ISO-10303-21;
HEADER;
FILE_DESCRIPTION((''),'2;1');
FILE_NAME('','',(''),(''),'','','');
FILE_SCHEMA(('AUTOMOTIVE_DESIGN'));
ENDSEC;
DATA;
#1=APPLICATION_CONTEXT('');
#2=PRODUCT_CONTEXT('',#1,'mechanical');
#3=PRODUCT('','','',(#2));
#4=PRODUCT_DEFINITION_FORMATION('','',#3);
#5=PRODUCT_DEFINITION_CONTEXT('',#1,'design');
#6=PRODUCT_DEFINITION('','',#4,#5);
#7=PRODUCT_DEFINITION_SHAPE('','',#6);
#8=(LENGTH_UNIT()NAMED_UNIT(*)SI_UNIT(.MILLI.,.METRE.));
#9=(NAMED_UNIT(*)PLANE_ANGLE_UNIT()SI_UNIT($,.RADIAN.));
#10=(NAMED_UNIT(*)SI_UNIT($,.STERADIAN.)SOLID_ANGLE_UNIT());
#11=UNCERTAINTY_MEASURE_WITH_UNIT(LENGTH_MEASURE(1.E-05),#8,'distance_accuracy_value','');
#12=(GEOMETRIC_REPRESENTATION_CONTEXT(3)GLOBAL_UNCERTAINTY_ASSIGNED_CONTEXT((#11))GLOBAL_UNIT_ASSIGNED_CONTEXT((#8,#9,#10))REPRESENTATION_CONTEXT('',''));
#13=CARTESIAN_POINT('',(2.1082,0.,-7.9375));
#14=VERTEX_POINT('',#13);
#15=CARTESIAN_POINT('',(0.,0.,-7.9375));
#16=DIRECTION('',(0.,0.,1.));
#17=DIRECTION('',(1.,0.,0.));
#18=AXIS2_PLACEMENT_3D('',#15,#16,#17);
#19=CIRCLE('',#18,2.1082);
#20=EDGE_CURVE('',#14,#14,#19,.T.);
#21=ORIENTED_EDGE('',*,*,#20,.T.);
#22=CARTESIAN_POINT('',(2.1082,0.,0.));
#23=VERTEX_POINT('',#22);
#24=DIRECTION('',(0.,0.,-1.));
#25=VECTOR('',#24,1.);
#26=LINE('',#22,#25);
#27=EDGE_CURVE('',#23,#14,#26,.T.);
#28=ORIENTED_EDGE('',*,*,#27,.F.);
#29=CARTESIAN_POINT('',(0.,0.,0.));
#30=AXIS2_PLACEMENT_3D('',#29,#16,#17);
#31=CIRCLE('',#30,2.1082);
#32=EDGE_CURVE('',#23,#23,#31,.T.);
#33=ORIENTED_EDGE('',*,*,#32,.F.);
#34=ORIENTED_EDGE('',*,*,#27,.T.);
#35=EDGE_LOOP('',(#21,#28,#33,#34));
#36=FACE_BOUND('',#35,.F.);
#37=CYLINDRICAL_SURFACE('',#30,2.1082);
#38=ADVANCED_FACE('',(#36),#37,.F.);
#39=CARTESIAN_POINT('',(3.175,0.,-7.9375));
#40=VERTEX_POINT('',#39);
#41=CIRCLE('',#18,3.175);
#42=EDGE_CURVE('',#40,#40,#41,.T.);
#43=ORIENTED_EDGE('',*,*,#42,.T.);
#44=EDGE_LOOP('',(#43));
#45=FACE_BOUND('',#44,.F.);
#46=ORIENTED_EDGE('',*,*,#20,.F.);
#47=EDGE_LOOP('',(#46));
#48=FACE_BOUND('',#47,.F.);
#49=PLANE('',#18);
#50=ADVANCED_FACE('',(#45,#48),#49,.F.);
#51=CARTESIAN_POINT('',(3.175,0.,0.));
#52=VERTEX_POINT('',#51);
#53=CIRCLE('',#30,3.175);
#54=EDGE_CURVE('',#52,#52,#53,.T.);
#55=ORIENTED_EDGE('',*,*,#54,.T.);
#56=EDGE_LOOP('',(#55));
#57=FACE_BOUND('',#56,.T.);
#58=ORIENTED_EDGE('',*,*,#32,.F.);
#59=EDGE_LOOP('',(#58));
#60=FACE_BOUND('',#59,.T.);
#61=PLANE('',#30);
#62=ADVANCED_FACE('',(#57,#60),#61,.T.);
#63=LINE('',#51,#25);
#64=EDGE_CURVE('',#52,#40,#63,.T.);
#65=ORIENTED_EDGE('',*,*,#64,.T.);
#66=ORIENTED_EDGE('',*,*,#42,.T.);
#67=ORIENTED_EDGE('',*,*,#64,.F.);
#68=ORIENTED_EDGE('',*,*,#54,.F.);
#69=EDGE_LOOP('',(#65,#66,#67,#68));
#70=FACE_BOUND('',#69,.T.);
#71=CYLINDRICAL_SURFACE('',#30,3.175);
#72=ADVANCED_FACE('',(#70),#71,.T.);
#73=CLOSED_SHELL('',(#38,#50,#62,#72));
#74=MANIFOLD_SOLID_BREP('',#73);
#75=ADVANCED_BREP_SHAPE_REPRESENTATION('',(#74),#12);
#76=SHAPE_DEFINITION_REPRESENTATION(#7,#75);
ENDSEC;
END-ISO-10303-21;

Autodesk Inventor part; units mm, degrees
ref_plane "YZ Plane" through (0, 0, 0) normal (1, 0, 0) x (0, 1, 0)
ref_plane "XZ Plane" through (0, 0, 0) normal (0, 1, 0) x (-1, 0, 0)
ref_plane "XY Plane" through (0, 0, 0) normal (0, 0, 1) x (1, 0, 0)
sketch "Sketch1" plane through (0, 0, 0) normal (0, 0, 1) x (1, 0, 0)
  circle A0 centre (0, 0) radius 2.1082
  circle A1 centre (0, 0) radius 3.175
  dimension "d0" = 4.2164
  dimension "d1" = 6.35
extrude "Extrusion1" add sketch "Sketch1" against normal blind 7.9375
properties part number ".25 #8 .3125 Spacer"
